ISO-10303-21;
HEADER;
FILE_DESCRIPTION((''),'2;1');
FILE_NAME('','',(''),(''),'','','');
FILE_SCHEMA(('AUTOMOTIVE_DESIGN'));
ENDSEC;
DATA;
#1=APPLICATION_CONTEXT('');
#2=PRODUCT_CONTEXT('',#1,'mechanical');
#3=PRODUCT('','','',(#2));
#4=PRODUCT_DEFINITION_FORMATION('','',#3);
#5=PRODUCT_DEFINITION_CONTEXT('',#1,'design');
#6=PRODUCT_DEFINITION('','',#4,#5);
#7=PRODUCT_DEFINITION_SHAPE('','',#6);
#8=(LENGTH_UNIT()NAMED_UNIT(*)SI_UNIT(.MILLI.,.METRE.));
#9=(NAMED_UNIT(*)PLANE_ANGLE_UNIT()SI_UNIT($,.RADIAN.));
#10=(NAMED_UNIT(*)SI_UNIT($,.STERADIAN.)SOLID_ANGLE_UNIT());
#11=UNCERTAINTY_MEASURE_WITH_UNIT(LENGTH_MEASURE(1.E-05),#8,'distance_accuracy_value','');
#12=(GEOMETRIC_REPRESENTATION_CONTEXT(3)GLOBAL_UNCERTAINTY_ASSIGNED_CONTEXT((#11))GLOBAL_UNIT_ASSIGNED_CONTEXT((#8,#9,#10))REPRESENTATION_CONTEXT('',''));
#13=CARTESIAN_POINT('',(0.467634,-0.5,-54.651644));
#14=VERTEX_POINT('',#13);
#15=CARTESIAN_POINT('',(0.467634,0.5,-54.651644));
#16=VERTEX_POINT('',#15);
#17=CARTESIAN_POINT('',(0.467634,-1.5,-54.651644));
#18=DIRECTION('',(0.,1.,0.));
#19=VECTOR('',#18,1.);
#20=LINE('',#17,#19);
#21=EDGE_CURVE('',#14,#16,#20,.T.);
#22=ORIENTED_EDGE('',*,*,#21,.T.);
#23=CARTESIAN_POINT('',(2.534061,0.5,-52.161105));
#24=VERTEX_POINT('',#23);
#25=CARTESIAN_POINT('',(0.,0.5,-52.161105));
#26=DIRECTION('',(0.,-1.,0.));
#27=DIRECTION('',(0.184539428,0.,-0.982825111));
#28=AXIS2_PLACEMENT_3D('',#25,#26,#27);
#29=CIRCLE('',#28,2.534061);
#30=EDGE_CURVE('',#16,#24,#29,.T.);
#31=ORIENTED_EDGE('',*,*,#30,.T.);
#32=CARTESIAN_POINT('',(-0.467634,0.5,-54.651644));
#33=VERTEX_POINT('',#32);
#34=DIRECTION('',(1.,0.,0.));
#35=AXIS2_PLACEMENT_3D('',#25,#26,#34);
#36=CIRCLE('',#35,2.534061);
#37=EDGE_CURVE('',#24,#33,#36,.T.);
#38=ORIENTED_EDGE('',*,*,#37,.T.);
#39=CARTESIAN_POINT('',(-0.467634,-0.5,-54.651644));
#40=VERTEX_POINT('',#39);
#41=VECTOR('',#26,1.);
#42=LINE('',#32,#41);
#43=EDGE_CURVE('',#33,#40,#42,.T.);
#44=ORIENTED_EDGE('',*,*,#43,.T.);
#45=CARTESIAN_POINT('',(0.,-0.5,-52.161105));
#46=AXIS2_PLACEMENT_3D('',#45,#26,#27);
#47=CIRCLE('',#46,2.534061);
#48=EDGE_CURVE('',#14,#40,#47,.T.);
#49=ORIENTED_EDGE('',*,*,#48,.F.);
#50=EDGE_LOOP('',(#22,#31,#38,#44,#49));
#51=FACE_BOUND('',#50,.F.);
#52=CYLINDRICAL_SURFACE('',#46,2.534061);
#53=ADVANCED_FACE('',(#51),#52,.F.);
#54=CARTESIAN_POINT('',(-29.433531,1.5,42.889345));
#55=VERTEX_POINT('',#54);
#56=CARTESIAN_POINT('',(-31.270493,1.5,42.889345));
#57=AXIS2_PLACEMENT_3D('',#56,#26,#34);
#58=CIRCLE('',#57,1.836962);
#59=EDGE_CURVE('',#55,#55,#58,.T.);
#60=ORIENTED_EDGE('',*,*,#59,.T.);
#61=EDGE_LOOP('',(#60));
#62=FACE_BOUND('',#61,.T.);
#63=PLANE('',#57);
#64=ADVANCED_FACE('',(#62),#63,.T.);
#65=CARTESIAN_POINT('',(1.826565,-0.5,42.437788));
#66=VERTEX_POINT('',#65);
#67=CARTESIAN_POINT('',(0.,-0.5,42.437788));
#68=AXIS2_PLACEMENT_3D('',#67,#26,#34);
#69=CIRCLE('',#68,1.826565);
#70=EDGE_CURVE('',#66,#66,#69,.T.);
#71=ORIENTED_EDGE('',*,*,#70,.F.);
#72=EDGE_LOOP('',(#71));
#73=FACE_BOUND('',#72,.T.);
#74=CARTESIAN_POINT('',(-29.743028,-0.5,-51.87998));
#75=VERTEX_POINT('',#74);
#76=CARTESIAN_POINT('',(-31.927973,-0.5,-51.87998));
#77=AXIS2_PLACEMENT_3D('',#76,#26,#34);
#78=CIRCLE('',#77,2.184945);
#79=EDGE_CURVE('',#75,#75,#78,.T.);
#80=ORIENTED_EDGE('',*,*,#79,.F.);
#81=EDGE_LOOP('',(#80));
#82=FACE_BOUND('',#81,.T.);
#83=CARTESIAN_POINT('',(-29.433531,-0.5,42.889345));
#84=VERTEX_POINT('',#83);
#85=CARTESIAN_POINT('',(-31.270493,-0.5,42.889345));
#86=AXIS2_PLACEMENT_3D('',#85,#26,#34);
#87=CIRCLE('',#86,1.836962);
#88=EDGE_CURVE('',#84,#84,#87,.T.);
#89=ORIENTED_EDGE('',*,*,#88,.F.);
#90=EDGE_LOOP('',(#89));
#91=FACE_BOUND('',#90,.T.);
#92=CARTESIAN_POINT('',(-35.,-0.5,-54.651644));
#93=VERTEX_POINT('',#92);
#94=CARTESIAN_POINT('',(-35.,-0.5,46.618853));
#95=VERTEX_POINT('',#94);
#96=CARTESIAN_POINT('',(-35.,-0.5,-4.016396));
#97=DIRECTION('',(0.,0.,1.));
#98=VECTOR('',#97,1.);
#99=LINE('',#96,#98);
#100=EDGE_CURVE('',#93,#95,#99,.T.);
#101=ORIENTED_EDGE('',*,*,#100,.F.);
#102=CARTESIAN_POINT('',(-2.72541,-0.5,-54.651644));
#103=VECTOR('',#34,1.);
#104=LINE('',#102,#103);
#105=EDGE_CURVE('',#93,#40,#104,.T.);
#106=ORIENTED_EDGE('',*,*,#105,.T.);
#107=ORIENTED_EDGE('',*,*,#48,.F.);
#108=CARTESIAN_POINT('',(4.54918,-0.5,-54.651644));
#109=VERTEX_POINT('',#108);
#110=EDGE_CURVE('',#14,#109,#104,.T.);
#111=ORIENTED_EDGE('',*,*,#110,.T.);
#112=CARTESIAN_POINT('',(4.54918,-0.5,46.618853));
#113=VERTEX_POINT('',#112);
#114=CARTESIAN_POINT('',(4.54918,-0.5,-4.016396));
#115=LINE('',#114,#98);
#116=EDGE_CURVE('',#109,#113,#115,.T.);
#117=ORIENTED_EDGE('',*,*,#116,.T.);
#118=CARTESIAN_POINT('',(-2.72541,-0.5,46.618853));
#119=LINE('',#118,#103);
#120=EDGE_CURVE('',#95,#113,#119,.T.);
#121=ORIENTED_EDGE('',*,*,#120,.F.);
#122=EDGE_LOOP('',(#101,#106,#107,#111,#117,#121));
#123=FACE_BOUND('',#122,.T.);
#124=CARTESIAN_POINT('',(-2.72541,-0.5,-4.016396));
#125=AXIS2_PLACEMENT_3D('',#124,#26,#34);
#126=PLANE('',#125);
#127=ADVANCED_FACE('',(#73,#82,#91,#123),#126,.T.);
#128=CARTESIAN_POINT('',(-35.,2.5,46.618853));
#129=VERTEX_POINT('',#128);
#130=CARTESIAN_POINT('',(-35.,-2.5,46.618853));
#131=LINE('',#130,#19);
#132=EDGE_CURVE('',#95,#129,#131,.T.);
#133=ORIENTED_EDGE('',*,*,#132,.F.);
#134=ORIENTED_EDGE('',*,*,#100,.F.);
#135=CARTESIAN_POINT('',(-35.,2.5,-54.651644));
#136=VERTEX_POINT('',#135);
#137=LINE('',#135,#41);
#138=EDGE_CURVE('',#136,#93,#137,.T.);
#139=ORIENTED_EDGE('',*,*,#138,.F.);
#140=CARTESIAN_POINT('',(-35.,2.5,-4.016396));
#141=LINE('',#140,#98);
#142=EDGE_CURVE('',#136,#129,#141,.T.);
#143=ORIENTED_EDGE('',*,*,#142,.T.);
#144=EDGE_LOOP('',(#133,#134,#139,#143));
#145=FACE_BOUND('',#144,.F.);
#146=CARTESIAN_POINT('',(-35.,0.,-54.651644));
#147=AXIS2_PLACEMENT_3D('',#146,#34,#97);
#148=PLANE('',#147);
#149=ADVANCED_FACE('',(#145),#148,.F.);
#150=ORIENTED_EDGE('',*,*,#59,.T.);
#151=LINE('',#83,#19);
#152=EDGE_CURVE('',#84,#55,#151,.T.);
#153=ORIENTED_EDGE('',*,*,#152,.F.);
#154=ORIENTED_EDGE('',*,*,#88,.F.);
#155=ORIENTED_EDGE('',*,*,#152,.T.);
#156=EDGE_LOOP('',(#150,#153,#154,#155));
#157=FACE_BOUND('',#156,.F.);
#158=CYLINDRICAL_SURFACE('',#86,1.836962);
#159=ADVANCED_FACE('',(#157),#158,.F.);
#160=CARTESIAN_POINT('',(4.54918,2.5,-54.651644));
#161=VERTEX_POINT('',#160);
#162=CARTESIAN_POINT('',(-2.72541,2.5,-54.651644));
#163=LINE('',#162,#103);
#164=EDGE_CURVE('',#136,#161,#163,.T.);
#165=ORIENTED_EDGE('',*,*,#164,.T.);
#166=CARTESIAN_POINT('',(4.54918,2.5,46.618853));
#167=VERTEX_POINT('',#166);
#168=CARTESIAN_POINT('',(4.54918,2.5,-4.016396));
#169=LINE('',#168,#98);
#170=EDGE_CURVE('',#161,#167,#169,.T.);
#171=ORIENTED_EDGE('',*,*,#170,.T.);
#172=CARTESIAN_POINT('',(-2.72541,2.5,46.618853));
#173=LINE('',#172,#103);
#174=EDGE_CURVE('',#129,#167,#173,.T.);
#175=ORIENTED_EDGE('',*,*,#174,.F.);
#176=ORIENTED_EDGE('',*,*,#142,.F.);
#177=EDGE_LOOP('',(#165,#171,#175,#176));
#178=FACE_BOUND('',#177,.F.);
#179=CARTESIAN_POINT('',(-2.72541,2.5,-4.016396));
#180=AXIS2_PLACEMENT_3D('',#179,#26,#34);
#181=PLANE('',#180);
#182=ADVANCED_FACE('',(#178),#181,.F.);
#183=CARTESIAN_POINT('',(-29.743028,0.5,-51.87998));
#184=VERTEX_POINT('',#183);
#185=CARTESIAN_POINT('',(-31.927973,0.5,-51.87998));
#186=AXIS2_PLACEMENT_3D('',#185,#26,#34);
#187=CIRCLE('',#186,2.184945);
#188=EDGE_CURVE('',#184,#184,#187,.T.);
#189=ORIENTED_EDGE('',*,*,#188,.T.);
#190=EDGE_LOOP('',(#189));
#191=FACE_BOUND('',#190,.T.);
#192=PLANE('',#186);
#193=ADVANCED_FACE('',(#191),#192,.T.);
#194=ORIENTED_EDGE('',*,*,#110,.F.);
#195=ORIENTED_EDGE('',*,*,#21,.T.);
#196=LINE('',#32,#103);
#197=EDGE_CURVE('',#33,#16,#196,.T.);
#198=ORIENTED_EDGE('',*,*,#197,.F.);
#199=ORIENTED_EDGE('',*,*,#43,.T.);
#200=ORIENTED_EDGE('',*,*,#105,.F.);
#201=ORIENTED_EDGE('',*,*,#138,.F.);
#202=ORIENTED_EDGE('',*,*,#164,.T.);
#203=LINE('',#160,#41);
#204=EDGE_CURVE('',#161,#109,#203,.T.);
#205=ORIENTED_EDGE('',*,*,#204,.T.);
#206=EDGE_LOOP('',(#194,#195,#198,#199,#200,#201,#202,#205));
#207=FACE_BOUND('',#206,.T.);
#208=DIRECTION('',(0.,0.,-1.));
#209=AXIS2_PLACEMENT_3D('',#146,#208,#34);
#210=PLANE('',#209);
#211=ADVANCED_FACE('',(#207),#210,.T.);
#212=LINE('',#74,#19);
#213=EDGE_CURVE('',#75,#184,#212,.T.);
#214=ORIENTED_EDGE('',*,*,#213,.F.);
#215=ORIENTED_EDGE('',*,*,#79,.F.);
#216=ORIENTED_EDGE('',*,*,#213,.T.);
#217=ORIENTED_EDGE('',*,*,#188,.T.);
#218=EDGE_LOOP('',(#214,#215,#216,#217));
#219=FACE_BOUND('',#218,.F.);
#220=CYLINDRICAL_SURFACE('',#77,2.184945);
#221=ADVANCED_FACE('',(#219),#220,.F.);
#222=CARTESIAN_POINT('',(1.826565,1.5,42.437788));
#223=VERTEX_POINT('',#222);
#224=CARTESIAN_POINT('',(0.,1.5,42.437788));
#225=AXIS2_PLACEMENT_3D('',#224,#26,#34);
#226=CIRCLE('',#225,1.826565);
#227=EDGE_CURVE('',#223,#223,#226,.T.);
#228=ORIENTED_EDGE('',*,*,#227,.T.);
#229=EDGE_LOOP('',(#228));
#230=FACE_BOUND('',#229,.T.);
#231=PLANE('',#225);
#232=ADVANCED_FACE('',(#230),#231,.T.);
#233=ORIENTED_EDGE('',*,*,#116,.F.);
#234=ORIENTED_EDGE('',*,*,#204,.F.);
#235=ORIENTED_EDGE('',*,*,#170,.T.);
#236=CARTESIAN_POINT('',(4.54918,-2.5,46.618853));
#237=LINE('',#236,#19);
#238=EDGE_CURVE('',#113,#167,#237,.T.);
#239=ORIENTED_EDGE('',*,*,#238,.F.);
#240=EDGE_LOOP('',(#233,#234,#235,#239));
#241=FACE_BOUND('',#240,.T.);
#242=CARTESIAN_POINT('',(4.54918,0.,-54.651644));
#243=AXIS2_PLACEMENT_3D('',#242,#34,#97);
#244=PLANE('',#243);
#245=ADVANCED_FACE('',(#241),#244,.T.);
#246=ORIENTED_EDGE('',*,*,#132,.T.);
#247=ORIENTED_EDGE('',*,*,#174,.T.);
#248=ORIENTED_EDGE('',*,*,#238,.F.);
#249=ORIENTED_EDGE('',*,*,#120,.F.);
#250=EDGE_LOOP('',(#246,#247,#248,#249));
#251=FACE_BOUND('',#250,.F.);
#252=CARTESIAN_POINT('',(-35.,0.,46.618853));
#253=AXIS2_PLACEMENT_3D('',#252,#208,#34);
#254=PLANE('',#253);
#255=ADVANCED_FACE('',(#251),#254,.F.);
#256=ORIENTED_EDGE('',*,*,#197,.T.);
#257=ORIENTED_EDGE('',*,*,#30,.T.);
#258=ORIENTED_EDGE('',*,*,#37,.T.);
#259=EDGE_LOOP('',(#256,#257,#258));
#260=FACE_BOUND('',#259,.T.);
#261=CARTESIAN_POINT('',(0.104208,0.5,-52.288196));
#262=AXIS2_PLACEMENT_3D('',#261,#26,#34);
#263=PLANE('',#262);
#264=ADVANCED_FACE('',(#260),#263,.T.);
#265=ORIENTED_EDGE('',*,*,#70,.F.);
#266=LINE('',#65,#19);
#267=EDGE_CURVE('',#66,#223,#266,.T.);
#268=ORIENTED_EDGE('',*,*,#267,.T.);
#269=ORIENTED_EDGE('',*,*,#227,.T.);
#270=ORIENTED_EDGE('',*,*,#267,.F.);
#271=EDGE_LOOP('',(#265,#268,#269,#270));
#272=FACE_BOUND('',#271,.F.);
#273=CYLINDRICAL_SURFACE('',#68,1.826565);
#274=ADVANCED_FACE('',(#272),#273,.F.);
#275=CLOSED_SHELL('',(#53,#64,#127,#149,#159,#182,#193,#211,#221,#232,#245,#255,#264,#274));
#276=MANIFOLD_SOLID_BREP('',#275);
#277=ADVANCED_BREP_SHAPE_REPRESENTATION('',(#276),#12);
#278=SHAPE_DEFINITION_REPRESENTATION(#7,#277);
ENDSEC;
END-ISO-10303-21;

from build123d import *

# Parameters (mm, degrees)
F0_W     = 64.5491797477
F0_H     = 101.2704968452
F1_DEPTH = 2.5
F2_DEPTH = 2
F3_R     = 1.8369615549
F3_R_2   = 2.1624343972
F4_DEPTH = 2
F5_DEPTH = 25
F6_R     = 1.8265653587
F7_DEPTH = 2
F8_R     = 2.1849451914
F9_DEPTH = 1


with BuildPart() as f1:
    # F0 (on Front) → F1 (new body, symmetric)
    with BuildSketch(Plane.XZ):
        with Locations((-2.7254102752, -4.0163956583)):
            Rectangle(F0_W, F0_H)
    extrude(amount=F1_DEPTH, both=True)

    # F2 (cut): a face of the model
    f2_faces = [f1.faces().sort_by_distance(p)[0] for p in [
        (-2.7254102752, -2.5, -4.0163956583),
    ]]
    extrude(f2_faces, amount=-F2_DEPTH, mode=Mode.SUBTRACT)

    # F3 (on face) → F4 (cut)
    with BuildSketch(Plane.XZ.offset(0.5)):
        with Locations((-31.2704928219, 42.8893454373)):
            Circle(F3_R)
        with Locations((24.9330345541, 42.5505004823)):
            Circle(F3_R_2)
    extrude(amount=-F4_DEPTH, mode=Mode.SUBTRACT)

    # F5 (cut): a face of the model
    f5_faces = [f1.faces().sort_by_distance(p)[0] for p in [
        (29.5491795987, 1, -4.0163956583),
    ]]
    extrude(f5_faces, amount=-F5_DEPTH, mode=Mode.SUBTRACT)

    # F6 (on face) → F7 (cut)
    with BuildSketch(Plane.XZ.offset(0.5)):
        with Locations((0, 42.4377880991)):
            Circle(F6_R)
    extrude(amount=-F7_DEPTH, mode=Mode.SUBTRACT)

    # F8 (on face) → F9 (cut, symmetric)
    with BuildSketch(Plane.XZ.offset(0.5)):
        with Locations((-31.927973032, -51.87997967)):
            Circle(F8_R)
        with BuildLine():
            ThreePointArc((0.4676342261, -54.6516440809), (1.9501898117, -53.7791984525), (2.5340613246, -52.1611049771))
            ThreePointArc((2.5340613246, -52.1611049771), (-1.6180934754, -50.2109151655), (-0.4676342261, -54.6516440809))
            Line((-0.4676342261, -54.6516440809), (0.4676342261, -54.6516440809))
        make_face()
    extrude(amount=F9_DEPTH, both=True, mode=Mode.SUBTRACT)


solid = f1.part
